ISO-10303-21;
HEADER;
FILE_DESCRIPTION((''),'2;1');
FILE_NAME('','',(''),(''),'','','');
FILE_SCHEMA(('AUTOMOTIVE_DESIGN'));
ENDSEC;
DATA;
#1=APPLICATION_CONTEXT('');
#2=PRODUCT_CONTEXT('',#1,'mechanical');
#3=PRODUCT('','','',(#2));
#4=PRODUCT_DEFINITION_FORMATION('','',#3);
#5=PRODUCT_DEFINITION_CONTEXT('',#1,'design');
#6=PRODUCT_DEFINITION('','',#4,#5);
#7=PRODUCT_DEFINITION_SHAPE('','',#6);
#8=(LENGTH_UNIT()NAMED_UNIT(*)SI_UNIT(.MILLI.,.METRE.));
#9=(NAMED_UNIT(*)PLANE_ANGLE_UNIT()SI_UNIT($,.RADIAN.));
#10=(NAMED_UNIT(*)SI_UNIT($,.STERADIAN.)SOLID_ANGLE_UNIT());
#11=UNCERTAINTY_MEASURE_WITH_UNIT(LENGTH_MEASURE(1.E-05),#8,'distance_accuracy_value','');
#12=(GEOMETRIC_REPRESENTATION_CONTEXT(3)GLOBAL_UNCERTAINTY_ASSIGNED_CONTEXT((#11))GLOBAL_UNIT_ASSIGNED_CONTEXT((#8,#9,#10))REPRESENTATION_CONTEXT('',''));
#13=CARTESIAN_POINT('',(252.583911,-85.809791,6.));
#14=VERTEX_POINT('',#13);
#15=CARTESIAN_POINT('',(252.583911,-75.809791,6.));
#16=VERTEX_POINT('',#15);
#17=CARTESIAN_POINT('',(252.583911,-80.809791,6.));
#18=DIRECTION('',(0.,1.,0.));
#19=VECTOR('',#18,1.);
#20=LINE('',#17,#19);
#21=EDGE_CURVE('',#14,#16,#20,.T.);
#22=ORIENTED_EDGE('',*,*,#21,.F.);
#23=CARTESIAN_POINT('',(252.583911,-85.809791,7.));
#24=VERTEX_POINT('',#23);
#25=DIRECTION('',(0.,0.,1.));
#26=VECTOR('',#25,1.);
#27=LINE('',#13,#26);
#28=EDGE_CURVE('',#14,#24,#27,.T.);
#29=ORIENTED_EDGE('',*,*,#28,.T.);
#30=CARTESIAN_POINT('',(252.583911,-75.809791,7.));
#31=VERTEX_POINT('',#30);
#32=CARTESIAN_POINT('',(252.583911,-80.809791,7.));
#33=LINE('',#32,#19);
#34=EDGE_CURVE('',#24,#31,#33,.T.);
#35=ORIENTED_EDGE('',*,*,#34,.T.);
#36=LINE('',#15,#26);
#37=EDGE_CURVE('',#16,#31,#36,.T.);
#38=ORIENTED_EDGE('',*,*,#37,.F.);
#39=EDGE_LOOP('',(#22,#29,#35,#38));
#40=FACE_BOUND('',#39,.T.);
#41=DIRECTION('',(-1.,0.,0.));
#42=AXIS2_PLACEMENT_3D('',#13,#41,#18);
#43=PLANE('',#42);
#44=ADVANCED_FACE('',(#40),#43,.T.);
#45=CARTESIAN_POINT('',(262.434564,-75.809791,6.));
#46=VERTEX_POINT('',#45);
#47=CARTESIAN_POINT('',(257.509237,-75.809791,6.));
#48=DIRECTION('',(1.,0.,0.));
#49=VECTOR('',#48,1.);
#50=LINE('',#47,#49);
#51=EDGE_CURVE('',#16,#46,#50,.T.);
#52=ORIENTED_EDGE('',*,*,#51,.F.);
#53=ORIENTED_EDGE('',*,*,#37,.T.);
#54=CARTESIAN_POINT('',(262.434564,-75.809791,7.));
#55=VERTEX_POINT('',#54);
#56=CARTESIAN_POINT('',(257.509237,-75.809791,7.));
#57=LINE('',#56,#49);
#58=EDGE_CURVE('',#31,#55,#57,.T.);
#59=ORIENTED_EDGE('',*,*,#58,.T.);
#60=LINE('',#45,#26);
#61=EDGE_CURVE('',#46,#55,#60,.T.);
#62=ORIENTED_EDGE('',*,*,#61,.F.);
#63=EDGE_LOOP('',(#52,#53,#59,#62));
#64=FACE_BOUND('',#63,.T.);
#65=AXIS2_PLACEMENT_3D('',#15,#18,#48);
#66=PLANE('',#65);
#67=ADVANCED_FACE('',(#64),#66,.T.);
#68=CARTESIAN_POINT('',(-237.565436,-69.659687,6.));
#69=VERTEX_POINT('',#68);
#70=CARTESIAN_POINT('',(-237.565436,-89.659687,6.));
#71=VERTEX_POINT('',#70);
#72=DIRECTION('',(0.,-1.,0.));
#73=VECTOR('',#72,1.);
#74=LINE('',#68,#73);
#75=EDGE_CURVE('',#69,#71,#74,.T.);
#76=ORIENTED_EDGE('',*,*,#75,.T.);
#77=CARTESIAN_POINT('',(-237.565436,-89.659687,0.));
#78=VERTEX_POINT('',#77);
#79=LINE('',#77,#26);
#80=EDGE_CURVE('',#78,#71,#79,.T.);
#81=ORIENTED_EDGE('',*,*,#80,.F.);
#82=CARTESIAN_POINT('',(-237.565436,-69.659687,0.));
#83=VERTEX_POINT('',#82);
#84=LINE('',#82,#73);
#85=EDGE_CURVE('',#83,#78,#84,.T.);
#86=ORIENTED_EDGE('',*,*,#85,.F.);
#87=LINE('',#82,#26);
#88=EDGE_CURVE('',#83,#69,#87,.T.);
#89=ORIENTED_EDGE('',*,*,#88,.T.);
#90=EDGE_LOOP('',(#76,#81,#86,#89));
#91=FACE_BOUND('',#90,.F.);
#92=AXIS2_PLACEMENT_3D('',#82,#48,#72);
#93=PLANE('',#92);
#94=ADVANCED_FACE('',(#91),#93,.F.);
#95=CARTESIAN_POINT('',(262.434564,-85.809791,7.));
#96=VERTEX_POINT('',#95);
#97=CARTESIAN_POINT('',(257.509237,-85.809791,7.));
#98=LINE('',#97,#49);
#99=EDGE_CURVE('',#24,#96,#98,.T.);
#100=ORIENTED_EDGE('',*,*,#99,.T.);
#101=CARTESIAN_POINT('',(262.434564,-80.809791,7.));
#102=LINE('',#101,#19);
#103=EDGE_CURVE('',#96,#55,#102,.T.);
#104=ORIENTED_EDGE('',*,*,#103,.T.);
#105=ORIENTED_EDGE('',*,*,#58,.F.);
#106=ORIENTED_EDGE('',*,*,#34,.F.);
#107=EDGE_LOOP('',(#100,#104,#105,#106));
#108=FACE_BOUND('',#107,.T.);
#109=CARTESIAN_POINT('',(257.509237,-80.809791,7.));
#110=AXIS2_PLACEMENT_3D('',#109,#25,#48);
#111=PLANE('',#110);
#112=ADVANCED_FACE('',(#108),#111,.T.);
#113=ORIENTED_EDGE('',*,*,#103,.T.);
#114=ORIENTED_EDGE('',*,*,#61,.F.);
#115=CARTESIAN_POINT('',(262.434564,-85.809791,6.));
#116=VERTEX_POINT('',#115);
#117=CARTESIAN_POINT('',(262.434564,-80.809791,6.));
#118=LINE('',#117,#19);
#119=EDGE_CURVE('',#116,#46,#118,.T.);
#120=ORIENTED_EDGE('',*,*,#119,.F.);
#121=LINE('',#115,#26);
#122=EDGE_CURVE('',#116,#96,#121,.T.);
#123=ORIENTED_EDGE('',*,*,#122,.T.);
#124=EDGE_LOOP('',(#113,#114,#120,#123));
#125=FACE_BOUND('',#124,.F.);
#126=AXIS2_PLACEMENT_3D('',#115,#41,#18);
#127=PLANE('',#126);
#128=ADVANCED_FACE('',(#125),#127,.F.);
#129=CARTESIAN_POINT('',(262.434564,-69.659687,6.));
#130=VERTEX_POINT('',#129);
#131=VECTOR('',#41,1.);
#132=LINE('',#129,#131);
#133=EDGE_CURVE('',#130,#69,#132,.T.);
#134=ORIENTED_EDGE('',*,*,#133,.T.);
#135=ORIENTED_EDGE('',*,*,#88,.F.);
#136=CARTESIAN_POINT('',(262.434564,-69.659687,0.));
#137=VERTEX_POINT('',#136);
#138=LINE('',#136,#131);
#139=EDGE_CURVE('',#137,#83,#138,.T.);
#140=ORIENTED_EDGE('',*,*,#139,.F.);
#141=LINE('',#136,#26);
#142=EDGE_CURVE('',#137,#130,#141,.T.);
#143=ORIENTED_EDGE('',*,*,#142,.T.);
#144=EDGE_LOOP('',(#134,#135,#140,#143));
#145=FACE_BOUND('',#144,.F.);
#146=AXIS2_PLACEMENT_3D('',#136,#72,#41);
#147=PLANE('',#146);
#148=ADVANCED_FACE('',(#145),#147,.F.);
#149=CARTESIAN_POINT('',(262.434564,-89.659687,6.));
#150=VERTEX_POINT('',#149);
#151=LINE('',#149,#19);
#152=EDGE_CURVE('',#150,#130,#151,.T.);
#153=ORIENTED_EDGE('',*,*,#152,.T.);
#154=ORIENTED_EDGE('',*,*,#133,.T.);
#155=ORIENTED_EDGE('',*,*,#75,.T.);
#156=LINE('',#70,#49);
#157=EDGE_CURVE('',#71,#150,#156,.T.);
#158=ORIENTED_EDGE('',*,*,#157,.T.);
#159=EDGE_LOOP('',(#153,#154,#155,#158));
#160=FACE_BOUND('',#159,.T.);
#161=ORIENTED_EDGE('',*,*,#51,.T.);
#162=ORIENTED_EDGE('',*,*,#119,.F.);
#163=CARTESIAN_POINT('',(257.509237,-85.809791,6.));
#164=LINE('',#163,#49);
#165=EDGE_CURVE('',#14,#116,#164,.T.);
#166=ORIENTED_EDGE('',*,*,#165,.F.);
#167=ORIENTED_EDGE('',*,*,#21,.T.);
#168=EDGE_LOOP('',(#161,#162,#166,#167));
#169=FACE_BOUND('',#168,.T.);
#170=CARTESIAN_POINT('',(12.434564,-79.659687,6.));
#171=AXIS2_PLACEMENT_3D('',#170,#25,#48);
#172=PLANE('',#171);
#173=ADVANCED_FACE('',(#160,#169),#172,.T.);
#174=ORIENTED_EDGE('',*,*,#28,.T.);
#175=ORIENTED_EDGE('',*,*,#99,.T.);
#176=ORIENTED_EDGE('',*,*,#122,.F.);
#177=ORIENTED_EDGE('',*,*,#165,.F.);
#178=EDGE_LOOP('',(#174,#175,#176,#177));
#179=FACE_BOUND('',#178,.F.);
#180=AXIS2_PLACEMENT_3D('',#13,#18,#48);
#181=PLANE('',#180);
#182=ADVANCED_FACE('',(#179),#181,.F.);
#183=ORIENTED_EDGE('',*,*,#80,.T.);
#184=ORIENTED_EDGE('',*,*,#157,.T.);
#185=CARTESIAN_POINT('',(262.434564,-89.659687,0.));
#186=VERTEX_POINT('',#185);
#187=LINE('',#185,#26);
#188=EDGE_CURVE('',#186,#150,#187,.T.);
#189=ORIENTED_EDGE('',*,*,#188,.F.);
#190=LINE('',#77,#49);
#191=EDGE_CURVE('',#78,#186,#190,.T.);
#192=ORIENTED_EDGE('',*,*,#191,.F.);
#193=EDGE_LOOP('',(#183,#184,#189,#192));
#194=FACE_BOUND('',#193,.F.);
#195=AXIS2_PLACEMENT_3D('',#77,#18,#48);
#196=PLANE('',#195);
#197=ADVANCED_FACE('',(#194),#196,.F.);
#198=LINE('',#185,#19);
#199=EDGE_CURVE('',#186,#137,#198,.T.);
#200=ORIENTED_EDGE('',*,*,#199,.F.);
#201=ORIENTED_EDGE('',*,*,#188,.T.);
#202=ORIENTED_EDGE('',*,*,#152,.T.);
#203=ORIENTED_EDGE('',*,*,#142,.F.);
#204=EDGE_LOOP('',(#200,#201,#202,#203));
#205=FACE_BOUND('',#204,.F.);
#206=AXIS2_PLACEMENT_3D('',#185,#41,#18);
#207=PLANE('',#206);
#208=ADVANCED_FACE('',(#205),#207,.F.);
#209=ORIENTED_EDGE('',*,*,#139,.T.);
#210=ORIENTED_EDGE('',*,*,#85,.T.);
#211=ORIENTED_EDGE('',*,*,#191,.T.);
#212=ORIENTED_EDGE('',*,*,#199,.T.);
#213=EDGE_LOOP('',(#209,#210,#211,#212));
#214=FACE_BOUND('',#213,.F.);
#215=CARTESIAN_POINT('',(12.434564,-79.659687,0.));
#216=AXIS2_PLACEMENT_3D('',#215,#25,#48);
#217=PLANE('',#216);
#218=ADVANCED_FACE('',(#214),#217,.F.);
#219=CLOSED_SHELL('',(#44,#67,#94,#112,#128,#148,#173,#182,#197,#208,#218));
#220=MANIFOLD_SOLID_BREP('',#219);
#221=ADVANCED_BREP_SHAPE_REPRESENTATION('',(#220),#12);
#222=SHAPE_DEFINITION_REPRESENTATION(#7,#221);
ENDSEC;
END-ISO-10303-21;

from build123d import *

# Parameters (mm, degrees)
F1_DEPTH = 6
F2_W     = 9.850653
F2_H     = 10
F3_DEPTH = 1


with BuildPart() as f1:
    # F0 (on Top) → F1 (new body)
    with BuildSketch(Plane.XY):
        Polygon((262.434564, -69.659687), (-237.565436, -69.659687), (-237.565436, -79.659687), (-237.565436, -89.659687), (262.434564, -89.659687), align=None)
    extrude(amount=F1_DEPTH)

    # F2 (on face) → F3 (join)
    with BuildSketch(Plane.XY.offset(6)):
        with Locations((257.509237, -80.809791)):
            Rectangle(F2_W, F2_H)
    extrude(amount=F3_DEPTH)


solid = f1.part
